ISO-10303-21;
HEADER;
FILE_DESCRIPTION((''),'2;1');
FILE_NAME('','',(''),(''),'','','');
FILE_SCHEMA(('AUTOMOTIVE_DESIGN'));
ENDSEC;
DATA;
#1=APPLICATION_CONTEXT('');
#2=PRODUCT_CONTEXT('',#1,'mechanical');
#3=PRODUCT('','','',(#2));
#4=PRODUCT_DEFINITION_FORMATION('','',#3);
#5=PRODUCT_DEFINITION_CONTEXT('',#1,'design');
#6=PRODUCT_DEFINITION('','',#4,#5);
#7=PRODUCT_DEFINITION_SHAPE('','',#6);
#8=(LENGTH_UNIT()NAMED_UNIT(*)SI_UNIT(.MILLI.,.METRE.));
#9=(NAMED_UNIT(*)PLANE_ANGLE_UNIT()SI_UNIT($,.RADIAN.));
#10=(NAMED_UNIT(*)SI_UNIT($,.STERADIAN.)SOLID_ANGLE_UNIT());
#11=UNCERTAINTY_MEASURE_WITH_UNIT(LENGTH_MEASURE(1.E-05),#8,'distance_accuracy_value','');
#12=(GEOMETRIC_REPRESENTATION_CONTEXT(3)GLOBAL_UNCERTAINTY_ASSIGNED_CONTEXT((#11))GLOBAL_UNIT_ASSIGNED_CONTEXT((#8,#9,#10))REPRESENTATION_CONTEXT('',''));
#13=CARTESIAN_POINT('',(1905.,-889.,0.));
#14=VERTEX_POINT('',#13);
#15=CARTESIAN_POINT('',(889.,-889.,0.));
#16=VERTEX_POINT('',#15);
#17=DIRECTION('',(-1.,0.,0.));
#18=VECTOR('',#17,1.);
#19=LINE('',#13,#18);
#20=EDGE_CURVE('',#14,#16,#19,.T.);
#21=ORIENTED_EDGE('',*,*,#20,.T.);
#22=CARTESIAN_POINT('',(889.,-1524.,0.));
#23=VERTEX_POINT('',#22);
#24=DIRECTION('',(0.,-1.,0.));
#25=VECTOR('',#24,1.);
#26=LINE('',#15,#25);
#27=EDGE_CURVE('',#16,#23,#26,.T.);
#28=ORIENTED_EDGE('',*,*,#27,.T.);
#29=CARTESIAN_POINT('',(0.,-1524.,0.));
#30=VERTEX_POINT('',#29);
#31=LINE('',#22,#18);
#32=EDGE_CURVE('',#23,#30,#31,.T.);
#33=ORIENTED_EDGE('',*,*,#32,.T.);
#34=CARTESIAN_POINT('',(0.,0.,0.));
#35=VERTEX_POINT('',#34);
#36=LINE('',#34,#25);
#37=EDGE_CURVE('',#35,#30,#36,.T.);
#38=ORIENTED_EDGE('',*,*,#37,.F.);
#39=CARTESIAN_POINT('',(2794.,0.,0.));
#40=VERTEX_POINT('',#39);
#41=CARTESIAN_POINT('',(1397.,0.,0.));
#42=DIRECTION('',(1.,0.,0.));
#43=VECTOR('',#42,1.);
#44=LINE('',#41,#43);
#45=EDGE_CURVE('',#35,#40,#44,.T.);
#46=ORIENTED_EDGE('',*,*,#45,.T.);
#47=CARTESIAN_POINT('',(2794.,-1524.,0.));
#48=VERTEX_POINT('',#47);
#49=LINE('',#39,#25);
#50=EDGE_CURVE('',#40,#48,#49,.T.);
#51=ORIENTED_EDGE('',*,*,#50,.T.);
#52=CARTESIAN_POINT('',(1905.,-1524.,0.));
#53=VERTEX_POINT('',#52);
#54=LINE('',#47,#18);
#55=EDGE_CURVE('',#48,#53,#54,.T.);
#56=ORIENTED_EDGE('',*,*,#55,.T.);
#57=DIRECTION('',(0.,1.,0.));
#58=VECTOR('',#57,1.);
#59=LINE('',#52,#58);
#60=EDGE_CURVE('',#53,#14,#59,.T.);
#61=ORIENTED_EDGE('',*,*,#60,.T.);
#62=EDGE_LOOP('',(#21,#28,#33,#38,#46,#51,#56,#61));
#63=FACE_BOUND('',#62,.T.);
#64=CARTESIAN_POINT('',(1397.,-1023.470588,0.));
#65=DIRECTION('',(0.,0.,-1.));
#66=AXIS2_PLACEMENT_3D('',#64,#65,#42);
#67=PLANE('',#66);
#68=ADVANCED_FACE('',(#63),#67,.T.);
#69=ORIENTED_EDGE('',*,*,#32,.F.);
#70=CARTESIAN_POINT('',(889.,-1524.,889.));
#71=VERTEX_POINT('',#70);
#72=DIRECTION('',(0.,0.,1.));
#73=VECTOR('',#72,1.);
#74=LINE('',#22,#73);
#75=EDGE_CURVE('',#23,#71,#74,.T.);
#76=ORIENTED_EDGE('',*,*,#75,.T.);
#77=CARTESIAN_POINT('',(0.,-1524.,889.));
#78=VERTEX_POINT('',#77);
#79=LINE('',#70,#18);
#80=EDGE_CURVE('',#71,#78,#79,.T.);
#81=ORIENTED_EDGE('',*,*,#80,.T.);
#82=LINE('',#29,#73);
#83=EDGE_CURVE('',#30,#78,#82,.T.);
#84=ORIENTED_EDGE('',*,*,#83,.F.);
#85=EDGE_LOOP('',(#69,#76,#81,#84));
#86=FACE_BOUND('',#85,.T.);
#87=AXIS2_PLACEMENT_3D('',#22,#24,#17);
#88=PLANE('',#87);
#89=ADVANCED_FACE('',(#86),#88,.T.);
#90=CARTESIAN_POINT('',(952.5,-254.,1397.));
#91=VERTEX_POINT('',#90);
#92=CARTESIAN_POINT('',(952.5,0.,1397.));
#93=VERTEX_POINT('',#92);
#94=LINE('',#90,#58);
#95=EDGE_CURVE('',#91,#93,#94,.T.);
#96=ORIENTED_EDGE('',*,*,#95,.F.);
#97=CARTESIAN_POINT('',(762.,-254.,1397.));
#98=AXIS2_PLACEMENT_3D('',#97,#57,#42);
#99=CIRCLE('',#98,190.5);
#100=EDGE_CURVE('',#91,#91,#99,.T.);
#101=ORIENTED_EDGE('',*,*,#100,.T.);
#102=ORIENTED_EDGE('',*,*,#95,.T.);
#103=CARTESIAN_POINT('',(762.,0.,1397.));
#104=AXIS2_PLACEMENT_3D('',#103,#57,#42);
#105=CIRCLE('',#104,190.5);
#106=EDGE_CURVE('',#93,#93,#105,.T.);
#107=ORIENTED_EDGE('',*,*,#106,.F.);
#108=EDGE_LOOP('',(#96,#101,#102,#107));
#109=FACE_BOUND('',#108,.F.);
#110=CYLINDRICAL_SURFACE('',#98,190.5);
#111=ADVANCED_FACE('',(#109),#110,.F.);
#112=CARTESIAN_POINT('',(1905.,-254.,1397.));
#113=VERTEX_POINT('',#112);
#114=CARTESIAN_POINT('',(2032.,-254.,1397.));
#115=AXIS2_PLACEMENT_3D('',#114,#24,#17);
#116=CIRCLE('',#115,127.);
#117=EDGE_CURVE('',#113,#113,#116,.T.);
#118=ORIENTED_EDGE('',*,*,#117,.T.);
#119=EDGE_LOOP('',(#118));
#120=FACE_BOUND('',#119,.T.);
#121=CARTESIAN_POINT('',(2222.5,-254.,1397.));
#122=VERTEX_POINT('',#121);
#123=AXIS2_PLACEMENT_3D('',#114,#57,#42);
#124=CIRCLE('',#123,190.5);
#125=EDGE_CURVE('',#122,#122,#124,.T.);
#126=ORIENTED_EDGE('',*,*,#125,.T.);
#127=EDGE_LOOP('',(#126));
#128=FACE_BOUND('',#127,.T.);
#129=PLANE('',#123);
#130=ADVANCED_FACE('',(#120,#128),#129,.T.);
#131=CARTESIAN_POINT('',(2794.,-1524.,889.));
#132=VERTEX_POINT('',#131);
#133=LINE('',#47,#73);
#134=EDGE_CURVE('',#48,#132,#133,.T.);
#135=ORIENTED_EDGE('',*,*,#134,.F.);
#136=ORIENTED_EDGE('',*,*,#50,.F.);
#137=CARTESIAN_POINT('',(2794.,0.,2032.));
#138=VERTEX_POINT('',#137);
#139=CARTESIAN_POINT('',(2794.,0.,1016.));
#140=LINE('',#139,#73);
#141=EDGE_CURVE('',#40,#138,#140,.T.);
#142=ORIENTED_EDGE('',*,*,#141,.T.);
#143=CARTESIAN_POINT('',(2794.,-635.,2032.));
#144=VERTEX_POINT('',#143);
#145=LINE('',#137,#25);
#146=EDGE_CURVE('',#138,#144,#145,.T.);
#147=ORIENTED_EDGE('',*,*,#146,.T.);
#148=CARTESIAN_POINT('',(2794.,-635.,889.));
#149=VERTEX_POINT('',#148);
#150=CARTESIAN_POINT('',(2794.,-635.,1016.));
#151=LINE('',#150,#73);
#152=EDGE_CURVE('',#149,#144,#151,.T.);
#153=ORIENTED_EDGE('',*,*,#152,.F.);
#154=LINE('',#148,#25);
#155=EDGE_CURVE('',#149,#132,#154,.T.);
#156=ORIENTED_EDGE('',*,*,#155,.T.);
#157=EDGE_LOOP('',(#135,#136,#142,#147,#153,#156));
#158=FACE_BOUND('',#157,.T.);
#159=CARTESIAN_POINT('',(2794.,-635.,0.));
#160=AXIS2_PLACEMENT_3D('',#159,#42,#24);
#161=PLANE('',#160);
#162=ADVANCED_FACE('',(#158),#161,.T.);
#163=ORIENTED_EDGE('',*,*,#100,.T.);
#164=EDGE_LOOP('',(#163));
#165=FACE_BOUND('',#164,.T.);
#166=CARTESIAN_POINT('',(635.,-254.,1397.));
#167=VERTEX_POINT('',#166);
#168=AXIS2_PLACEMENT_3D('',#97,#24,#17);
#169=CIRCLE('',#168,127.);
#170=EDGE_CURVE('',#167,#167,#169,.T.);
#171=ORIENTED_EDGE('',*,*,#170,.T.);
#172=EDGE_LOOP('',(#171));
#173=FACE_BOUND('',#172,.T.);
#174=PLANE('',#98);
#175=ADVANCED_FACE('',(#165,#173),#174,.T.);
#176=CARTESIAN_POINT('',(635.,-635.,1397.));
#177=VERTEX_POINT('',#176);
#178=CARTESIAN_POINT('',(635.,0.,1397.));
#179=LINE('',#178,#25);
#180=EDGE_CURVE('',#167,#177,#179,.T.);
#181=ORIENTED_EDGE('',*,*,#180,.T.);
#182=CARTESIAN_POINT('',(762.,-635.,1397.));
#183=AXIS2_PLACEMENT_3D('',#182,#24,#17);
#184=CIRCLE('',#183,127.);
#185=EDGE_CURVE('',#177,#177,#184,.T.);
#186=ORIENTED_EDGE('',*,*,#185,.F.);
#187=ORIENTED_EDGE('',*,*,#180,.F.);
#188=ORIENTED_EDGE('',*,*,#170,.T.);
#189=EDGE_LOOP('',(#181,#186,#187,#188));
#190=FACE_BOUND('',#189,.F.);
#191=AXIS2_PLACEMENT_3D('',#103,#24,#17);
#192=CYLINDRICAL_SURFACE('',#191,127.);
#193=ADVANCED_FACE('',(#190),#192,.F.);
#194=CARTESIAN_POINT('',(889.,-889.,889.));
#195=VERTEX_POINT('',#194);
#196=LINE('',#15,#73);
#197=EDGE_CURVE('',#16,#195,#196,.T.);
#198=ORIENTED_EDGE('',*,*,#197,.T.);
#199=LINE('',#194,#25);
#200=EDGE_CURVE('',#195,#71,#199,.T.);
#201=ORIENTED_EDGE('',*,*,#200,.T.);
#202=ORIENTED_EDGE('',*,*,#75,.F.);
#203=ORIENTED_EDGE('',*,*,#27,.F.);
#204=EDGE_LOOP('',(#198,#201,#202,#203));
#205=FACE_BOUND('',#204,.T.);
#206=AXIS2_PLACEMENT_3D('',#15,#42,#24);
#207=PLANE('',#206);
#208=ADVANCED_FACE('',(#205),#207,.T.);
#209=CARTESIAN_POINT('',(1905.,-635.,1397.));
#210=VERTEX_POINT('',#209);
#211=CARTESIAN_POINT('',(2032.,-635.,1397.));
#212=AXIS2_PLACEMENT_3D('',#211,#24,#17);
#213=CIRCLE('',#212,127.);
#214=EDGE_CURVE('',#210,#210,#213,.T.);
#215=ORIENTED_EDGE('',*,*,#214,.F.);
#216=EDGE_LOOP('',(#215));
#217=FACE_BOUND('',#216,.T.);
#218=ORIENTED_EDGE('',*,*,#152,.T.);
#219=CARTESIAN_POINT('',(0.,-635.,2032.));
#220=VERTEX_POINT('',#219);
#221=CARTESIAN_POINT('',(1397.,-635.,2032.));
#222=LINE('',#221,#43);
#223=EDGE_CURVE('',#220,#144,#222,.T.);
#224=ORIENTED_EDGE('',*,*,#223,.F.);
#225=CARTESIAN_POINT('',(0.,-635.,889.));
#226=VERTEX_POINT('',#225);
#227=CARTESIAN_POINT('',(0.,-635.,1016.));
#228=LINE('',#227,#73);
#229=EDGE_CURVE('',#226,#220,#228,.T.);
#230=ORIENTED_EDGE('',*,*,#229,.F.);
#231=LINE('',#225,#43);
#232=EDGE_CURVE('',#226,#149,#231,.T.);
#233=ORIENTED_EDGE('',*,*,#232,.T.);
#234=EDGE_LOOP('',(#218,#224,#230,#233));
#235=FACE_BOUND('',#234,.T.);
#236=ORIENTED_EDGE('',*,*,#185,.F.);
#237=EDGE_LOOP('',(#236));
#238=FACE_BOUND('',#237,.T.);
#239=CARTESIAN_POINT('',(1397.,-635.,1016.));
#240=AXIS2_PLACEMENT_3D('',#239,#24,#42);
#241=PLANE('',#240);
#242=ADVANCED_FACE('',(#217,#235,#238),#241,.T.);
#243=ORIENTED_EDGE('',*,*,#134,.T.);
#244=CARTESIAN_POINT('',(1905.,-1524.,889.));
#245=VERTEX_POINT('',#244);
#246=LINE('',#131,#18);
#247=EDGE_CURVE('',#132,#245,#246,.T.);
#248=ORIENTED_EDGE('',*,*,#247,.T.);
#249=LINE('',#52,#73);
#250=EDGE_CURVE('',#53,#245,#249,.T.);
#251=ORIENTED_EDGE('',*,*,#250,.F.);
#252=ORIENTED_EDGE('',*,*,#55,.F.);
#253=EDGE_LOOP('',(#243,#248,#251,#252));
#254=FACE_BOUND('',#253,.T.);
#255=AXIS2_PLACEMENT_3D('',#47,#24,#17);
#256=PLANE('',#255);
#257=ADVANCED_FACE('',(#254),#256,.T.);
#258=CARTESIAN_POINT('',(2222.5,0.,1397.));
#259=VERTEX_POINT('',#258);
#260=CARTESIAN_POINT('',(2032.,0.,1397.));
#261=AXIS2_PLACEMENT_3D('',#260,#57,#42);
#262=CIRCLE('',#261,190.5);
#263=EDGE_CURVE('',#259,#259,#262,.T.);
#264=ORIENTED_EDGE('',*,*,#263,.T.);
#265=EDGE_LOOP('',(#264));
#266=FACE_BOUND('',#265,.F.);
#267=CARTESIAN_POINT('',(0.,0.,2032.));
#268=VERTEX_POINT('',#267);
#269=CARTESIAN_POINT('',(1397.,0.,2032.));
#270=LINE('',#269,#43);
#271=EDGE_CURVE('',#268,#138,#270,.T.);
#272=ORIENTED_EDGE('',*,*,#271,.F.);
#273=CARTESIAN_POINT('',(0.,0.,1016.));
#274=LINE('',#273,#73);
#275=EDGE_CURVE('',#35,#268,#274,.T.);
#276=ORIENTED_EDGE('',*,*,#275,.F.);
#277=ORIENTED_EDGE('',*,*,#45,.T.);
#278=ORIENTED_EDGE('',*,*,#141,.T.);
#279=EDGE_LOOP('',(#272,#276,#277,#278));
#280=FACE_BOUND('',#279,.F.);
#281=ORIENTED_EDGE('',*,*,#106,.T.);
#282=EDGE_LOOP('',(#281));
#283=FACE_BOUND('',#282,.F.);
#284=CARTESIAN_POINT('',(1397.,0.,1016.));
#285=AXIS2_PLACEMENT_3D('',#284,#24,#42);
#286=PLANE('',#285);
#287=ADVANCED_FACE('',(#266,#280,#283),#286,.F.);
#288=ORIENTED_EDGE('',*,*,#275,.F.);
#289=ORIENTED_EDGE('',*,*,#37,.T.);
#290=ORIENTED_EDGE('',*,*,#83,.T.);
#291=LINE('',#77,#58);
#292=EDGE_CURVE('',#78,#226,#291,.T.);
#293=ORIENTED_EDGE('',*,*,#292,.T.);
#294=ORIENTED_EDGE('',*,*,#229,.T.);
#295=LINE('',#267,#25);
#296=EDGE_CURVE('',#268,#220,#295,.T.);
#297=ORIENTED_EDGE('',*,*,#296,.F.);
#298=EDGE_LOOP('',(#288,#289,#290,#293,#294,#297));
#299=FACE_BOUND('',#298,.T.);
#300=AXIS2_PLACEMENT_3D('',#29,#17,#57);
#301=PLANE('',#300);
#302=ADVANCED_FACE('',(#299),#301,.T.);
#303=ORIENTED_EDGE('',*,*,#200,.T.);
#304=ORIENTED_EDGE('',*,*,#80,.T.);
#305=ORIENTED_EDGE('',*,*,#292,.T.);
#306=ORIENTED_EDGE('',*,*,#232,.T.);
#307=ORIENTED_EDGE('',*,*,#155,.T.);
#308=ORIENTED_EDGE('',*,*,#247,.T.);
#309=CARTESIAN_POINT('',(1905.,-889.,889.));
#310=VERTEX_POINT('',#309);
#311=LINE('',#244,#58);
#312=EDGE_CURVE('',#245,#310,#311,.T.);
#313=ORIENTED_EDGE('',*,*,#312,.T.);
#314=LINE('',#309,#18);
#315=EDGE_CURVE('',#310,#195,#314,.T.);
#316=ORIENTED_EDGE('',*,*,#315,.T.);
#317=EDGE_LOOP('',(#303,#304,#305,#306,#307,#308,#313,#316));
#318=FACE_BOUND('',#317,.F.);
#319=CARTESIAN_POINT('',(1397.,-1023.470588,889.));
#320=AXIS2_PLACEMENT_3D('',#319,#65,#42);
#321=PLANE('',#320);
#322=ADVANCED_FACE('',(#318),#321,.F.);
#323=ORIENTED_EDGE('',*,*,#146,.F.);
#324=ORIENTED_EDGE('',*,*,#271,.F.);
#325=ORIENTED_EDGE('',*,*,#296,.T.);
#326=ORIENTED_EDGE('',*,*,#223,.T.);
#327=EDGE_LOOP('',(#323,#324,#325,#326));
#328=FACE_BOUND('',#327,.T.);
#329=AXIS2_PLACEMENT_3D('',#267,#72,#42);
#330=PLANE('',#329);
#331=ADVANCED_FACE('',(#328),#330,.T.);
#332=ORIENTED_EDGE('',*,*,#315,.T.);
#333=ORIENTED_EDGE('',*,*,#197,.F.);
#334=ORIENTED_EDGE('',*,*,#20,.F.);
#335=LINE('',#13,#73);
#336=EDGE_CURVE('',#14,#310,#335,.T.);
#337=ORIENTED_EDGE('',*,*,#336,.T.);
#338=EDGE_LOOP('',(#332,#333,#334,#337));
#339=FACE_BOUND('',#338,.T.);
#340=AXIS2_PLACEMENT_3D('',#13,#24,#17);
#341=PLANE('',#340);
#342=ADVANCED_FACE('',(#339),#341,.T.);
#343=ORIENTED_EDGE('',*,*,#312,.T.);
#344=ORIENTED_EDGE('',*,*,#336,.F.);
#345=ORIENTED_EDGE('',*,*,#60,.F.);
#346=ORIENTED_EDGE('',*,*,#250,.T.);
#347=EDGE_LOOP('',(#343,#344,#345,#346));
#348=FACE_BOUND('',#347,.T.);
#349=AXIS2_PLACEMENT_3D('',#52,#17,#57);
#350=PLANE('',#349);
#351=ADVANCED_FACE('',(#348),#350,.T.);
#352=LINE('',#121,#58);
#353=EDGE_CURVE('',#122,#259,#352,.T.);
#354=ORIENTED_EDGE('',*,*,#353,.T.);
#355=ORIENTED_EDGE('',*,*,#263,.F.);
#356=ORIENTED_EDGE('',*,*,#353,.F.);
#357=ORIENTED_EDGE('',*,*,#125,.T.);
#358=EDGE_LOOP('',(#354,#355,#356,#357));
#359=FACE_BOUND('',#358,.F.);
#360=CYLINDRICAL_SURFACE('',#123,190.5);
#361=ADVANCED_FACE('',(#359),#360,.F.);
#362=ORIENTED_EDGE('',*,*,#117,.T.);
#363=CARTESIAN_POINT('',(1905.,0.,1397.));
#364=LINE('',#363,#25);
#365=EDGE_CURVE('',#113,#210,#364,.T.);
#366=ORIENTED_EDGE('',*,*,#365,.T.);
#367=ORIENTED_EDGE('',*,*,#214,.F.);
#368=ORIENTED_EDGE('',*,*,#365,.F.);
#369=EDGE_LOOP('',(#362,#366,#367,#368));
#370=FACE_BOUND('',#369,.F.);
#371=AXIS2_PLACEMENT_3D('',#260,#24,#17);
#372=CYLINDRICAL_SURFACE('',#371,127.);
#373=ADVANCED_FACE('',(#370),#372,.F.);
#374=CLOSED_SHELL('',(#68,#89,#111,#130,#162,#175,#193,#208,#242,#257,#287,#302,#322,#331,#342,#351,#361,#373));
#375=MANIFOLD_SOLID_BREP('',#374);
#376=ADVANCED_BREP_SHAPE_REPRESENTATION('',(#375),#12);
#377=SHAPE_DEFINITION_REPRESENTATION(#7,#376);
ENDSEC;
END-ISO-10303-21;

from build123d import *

# Parameters (mm, degrees)
F0_W           = 2794
F0_H           = 2032
F0_R           = 127
F1_DEPTH       = 635
F2_D           = 254
F2_CBORE_D     = 381
F2_CBORE_DEPTH = 254
F4_DEPTH       = 889


with BuildPart() as f1:
    # F0 (on Front) → F1 (new body)
    with BuildSketch(Plane.XZ):
        with Locations((1397, 1016)):
            Rectangle(F0_W, F0_H)
        with Locations((762, 1397)):
            Circle(F0_R, mode=Mode.SUBTRACT)
        with Locations((2032, 1397)):
            Circle(F0_R, mode=Mode.SUBTRACT)
        with Locations((762, 1397)):
            Circle(F0_R)
        with Locations((2032, 1397)):
            Circle(F0_R)
    extrude(amount=F1_DEPTH)

    # F2 (through all)
    with Locations(Plane(origin=(0, 0, 0), x_dir=(1, 0, 0), z_dir=(0, 1, 0))):
        with Locations((2032, -1397), (762, -1397)):
            CounterBoreHole(F2_D / 2, F2_CBORE_D / 2, F2_CBORE_DEPTH)

    # F3 (on face) → F4 (join)
    with BuildSketch(Plane(origin=(0, 0, 0), x_dir=(1, 0, 0), z_dir=(0, 0, -1))):
        Polygon((0, 1524), (0, 635), (2794, 635), (2794, 1524), (1905, 1524), (1905, 889), (889, 889), (889, 1524), align=None)
    extrude(amount=-F4_DEPTH)


solid = f1.part
